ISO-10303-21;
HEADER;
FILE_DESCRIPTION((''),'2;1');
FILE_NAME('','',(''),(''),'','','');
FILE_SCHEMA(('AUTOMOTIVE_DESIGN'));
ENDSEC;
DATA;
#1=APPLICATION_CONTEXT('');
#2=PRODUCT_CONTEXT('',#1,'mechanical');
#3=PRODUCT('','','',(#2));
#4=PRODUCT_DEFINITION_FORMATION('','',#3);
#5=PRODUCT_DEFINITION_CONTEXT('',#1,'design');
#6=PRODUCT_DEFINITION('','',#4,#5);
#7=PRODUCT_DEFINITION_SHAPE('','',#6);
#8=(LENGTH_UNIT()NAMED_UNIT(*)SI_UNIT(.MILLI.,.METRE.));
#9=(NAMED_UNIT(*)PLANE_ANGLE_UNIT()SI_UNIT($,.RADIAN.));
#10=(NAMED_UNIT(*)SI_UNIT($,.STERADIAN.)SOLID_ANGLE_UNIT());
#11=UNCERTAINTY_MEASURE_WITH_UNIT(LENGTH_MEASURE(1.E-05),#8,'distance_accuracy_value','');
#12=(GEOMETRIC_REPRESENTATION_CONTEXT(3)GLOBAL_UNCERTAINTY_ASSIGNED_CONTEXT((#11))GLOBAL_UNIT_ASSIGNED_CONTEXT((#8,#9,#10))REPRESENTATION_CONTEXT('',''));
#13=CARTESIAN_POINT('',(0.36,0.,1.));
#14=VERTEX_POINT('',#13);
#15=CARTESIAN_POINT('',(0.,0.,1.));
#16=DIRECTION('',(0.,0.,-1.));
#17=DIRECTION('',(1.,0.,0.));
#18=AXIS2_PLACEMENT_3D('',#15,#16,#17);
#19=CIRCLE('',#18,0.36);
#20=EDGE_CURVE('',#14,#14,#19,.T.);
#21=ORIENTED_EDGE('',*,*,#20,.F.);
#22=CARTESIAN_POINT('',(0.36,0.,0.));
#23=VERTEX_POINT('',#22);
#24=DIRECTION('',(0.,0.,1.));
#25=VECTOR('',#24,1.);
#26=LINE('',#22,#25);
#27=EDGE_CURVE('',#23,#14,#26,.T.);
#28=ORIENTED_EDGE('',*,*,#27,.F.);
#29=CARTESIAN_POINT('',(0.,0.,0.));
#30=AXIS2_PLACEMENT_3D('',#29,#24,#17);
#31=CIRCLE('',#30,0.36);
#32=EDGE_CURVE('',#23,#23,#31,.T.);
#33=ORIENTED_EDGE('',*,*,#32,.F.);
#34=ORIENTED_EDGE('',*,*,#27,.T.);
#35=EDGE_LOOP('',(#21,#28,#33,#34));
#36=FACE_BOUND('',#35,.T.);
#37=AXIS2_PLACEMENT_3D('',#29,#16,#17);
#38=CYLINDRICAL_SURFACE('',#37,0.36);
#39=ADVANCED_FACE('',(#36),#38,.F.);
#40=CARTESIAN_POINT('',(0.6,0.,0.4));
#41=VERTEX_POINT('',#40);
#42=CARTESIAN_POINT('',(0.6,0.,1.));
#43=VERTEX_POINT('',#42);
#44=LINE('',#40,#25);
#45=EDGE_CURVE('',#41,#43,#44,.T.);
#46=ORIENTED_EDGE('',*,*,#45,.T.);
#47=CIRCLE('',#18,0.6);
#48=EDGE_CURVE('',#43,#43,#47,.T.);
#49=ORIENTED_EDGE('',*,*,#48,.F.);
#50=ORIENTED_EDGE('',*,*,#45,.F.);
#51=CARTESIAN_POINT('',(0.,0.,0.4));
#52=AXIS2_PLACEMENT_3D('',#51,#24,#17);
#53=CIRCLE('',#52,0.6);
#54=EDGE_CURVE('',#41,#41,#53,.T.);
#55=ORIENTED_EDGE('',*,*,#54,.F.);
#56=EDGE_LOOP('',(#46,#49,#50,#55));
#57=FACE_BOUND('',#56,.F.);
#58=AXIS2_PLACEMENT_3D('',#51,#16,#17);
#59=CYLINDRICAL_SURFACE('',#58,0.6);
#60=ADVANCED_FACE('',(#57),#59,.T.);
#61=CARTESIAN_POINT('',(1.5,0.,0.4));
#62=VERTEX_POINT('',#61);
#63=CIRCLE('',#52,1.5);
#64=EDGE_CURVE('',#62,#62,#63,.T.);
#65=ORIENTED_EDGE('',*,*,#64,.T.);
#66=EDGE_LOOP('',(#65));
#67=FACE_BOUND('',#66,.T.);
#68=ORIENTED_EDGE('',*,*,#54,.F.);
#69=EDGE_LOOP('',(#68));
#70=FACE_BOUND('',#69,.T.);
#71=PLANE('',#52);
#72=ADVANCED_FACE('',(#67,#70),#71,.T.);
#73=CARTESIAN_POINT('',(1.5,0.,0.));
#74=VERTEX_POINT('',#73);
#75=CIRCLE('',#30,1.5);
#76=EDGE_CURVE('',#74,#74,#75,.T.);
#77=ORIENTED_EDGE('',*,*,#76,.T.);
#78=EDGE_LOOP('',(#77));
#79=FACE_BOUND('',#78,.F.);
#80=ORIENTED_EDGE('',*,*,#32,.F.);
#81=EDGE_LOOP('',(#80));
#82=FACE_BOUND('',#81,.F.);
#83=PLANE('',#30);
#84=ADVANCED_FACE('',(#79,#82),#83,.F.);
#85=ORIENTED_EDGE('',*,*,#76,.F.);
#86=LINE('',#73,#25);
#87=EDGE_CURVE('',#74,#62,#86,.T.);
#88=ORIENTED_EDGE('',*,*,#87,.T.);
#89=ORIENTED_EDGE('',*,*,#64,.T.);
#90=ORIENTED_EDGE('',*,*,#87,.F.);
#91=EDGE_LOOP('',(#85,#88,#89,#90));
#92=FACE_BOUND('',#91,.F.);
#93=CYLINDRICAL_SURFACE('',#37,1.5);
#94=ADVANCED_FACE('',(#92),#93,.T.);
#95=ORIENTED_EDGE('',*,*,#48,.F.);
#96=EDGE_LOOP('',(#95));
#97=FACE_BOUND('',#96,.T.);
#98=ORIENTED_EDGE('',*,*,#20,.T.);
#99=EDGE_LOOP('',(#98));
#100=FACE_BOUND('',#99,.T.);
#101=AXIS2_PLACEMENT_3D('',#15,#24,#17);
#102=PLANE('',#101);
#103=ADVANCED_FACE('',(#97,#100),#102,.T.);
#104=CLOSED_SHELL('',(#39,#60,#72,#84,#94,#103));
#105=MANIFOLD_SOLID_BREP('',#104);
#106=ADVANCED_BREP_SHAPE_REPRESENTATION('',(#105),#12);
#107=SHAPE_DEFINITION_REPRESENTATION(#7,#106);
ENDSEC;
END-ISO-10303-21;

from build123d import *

# Parameters (mm, degrees)
TUBE_R            = 1.5
TUBE_R_2          = 0.6
TUBE_DEPTH        = 2
CYLINDER_R        = 0.36
CYLINDER_DEPTH    = 10
CYLINDER001_R     = 1.5
CYLINDER001_DEPTH = 1


with BuildPart() as tube:
    # Tube → Tube (new body)
    with BuildSketch(Plane.XY.offset(0.4)):
        Circle(TUBE_R)
        Circle(TUBE_R_2, mode=Mode.SUBTRACT)
    extrude(amount=TUBE_DEPTH)


with BuildPart() as cylinder:
    # Cylinder → Cylinder (new body)
    with BuildSketch(Plane.XY):
        Circle(CYLINDER_R)
    extrude(amount=CYLINDER_DEPTH)


with BuildPart() as bushingfront:
    # Cylinder001 → Cylinder001 (new body)
    with BuildSketch(Plane.XY):
        Circle(CYLINDER001_R)
    extrude(amount=CYLINDER001_DEPTH)

    # Cut: cut Cylinder
    add(cylinder.part, mode=Mode.SUBTRACT)

    # Cut001: cut Tube
    add(tube.part, mode=Mode.SUBTRACT)


solid = bushingfront.part
